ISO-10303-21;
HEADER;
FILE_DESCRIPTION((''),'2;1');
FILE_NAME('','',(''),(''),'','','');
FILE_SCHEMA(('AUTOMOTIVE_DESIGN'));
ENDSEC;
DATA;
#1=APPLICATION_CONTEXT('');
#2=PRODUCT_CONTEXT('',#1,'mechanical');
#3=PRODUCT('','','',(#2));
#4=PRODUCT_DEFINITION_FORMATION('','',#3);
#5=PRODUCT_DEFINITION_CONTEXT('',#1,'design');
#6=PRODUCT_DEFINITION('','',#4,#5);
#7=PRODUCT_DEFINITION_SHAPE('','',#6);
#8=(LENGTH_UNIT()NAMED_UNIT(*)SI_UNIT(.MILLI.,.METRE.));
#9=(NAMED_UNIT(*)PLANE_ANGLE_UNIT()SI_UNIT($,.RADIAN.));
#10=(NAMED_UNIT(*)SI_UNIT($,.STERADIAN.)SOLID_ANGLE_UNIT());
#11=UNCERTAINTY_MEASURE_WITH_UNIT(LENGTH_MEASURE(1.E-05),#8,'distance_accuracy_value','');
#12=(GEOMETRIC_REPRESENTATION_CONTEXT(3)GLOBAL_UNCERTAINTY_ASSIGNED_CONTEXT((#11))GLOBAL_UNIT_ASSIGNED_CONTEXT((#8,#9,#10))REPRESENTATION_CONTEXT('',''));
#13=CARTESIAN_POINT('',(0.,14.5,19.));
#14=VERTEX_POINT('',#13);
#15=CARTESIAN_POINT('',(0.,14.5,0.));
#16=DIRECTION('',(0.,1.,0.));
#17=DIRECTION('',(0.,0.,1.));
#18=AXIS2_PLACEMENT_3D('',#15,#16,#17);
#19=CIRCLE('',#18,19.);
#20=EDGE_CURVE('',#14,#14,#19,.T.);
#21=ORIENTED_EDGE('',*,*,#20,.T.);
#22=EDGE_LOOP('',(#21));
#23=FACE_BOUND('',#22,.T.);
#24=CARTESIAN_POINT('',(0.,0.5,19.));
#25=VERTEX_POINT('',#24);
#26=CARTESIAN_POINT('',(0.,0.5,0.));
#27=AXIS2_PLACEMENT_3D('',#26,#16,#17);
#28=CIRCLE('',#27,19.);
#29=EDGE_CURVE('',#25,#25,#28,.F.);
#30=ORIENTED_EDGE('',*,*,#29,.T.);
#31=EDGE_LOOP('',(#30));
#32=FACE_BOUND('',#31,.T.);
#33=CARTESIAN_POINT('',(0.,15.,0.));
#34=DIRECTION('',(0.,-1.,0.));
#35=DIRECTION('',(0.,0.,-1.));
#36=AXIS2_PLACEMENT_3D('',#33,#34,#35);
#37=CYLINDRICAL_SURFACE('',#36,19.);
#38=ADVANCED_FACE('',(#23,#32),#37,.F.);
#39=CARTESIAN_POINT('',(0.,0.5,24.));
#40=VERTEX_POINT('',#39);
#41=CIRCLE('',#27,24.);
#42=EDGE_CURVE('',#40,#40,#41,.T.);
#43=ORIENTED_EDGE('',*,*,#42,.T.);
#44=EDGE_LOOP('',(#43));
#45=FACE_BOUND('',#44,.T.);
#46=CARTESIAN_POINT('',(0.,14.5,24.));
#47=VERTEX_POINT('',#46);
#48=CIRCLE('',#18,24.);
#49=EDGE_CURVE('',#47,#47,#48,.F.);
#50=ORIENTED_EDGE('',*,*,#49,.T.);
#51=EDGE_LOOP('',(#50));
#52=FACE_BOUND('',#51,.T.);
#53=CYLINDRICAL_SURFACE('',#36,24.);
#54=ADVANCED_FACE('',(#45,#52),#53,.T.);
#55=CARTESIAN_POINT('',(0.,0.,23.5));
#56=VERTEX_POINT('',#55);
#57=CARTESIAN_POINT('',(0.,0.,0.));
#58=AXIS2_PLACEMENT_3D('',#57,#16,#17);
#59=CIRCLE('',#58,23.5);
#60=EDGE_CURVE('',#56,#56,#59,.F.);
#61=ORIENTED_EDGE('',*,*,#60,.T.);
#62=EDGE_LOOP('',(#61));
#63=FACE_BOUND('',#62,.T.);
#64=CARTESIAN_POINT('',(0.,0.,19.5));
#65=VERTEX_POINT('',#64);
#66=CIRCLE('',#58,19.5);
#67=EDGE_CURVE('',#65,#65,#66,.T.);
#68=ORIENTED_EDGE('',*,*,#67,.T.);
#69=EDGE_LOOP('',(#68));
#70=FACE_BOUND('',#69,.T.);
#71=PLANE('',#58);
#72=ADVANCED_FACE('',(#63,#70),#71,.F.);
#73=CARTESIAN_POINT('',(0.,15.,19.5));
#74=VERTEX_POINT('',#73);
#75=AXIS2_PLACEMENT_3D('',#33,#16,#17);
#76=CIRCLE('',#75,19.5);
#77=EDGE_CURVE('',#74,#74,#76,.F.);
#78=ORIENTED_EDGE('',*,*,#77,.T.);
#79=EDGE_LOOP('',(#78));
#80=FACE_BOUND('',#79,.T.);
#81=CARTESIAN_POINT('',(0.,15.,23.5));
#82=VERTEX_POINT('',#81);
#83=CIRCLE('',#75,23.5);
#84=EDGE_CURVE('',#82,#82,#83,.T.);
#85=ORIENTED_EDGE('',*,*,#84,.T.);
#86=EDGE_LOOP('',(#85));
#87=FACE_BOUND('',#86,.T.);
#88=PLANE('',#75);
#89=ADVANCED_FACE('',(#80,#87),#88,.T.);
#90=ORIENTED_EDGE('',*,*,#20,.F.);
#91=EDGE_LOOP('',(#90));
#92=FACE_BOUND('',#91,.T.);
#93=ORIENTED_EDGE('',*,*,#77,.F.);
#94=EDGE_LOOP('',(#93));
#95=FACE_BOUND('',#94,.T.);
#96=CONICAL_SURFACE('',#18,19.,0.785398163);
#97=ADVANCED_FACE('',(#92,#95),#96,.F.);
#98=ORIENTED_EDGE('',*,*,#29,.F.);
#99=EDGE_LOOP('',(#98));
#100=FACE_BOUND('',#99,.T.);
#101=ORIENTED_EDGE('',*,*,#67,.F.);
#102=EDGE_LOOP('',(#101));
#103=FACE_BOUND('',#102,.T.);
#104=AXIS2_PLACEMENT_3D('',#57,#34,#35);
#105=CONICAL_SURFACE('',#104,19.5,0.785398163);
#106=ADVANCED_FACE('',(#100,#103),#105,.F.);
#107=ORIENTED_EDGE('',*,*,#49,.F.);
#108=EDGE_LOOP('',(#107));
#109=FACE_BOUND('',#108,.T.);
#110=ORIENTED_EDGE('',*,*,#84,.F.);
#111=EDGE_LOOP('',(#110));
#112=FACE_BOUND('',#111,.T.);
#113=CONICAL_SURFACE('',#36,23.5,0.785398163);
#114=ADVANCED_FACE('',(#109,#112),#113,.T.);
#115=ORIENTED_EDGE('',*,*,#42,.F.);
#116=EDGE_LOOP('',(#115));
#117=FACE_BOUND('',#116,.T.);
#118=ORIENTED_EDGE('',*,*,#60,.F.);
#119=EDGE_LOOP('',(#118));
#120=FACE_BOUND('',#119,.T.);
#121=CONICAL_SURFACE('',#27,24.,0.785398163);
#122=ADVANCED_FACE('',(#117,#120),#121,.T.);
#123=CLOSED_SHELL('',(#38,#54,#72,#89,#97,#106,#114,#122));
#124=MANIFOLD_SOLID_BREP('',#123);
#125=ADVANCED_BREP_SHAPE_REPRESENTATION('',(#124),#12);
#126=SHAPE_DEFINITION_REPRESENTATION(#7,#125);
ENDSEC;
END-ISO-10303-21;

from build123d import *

# Parameters (mm, degrees)
SKETCH1_R           = 24
SKETCH1_R_2         = 19
BOSS_EXTRUDE1_DEPTH = 15
CHAMFER1_SIZE       = 0.5


with BuildPart() as part:
    # Sketch1 → Boss-Extrude1 (new body)
    with BuildSketch(Plane(origin=(0, 0, 0), x_dir=(1, 0, 0), z_dir=(0, 1, 0))):
        with Locations(Location((0, 0, 0), (0, 0, 270))):
            Circle(SKETCH1_R)
        with Locations(Location((0, 0, 0), (0, 0, 270))):
            Circle(SKETCH1_R_2, mode=Mode.SUBTRACT)
    extrude(amount=BOSS_EXTRUDE1_DEPTH)

    # Chamfer1
    chamfer1_edges = [part.edges().sort_by_distance(p)[0] for p in [
        (0, 0, -24),
        (0, 15, -24),
        (0, 0, -19),
        (0, 15, -19),
    ]]
    chamfer(chamfer1_edges, length=CHAMFER1_SIZE)


solid = part.part
